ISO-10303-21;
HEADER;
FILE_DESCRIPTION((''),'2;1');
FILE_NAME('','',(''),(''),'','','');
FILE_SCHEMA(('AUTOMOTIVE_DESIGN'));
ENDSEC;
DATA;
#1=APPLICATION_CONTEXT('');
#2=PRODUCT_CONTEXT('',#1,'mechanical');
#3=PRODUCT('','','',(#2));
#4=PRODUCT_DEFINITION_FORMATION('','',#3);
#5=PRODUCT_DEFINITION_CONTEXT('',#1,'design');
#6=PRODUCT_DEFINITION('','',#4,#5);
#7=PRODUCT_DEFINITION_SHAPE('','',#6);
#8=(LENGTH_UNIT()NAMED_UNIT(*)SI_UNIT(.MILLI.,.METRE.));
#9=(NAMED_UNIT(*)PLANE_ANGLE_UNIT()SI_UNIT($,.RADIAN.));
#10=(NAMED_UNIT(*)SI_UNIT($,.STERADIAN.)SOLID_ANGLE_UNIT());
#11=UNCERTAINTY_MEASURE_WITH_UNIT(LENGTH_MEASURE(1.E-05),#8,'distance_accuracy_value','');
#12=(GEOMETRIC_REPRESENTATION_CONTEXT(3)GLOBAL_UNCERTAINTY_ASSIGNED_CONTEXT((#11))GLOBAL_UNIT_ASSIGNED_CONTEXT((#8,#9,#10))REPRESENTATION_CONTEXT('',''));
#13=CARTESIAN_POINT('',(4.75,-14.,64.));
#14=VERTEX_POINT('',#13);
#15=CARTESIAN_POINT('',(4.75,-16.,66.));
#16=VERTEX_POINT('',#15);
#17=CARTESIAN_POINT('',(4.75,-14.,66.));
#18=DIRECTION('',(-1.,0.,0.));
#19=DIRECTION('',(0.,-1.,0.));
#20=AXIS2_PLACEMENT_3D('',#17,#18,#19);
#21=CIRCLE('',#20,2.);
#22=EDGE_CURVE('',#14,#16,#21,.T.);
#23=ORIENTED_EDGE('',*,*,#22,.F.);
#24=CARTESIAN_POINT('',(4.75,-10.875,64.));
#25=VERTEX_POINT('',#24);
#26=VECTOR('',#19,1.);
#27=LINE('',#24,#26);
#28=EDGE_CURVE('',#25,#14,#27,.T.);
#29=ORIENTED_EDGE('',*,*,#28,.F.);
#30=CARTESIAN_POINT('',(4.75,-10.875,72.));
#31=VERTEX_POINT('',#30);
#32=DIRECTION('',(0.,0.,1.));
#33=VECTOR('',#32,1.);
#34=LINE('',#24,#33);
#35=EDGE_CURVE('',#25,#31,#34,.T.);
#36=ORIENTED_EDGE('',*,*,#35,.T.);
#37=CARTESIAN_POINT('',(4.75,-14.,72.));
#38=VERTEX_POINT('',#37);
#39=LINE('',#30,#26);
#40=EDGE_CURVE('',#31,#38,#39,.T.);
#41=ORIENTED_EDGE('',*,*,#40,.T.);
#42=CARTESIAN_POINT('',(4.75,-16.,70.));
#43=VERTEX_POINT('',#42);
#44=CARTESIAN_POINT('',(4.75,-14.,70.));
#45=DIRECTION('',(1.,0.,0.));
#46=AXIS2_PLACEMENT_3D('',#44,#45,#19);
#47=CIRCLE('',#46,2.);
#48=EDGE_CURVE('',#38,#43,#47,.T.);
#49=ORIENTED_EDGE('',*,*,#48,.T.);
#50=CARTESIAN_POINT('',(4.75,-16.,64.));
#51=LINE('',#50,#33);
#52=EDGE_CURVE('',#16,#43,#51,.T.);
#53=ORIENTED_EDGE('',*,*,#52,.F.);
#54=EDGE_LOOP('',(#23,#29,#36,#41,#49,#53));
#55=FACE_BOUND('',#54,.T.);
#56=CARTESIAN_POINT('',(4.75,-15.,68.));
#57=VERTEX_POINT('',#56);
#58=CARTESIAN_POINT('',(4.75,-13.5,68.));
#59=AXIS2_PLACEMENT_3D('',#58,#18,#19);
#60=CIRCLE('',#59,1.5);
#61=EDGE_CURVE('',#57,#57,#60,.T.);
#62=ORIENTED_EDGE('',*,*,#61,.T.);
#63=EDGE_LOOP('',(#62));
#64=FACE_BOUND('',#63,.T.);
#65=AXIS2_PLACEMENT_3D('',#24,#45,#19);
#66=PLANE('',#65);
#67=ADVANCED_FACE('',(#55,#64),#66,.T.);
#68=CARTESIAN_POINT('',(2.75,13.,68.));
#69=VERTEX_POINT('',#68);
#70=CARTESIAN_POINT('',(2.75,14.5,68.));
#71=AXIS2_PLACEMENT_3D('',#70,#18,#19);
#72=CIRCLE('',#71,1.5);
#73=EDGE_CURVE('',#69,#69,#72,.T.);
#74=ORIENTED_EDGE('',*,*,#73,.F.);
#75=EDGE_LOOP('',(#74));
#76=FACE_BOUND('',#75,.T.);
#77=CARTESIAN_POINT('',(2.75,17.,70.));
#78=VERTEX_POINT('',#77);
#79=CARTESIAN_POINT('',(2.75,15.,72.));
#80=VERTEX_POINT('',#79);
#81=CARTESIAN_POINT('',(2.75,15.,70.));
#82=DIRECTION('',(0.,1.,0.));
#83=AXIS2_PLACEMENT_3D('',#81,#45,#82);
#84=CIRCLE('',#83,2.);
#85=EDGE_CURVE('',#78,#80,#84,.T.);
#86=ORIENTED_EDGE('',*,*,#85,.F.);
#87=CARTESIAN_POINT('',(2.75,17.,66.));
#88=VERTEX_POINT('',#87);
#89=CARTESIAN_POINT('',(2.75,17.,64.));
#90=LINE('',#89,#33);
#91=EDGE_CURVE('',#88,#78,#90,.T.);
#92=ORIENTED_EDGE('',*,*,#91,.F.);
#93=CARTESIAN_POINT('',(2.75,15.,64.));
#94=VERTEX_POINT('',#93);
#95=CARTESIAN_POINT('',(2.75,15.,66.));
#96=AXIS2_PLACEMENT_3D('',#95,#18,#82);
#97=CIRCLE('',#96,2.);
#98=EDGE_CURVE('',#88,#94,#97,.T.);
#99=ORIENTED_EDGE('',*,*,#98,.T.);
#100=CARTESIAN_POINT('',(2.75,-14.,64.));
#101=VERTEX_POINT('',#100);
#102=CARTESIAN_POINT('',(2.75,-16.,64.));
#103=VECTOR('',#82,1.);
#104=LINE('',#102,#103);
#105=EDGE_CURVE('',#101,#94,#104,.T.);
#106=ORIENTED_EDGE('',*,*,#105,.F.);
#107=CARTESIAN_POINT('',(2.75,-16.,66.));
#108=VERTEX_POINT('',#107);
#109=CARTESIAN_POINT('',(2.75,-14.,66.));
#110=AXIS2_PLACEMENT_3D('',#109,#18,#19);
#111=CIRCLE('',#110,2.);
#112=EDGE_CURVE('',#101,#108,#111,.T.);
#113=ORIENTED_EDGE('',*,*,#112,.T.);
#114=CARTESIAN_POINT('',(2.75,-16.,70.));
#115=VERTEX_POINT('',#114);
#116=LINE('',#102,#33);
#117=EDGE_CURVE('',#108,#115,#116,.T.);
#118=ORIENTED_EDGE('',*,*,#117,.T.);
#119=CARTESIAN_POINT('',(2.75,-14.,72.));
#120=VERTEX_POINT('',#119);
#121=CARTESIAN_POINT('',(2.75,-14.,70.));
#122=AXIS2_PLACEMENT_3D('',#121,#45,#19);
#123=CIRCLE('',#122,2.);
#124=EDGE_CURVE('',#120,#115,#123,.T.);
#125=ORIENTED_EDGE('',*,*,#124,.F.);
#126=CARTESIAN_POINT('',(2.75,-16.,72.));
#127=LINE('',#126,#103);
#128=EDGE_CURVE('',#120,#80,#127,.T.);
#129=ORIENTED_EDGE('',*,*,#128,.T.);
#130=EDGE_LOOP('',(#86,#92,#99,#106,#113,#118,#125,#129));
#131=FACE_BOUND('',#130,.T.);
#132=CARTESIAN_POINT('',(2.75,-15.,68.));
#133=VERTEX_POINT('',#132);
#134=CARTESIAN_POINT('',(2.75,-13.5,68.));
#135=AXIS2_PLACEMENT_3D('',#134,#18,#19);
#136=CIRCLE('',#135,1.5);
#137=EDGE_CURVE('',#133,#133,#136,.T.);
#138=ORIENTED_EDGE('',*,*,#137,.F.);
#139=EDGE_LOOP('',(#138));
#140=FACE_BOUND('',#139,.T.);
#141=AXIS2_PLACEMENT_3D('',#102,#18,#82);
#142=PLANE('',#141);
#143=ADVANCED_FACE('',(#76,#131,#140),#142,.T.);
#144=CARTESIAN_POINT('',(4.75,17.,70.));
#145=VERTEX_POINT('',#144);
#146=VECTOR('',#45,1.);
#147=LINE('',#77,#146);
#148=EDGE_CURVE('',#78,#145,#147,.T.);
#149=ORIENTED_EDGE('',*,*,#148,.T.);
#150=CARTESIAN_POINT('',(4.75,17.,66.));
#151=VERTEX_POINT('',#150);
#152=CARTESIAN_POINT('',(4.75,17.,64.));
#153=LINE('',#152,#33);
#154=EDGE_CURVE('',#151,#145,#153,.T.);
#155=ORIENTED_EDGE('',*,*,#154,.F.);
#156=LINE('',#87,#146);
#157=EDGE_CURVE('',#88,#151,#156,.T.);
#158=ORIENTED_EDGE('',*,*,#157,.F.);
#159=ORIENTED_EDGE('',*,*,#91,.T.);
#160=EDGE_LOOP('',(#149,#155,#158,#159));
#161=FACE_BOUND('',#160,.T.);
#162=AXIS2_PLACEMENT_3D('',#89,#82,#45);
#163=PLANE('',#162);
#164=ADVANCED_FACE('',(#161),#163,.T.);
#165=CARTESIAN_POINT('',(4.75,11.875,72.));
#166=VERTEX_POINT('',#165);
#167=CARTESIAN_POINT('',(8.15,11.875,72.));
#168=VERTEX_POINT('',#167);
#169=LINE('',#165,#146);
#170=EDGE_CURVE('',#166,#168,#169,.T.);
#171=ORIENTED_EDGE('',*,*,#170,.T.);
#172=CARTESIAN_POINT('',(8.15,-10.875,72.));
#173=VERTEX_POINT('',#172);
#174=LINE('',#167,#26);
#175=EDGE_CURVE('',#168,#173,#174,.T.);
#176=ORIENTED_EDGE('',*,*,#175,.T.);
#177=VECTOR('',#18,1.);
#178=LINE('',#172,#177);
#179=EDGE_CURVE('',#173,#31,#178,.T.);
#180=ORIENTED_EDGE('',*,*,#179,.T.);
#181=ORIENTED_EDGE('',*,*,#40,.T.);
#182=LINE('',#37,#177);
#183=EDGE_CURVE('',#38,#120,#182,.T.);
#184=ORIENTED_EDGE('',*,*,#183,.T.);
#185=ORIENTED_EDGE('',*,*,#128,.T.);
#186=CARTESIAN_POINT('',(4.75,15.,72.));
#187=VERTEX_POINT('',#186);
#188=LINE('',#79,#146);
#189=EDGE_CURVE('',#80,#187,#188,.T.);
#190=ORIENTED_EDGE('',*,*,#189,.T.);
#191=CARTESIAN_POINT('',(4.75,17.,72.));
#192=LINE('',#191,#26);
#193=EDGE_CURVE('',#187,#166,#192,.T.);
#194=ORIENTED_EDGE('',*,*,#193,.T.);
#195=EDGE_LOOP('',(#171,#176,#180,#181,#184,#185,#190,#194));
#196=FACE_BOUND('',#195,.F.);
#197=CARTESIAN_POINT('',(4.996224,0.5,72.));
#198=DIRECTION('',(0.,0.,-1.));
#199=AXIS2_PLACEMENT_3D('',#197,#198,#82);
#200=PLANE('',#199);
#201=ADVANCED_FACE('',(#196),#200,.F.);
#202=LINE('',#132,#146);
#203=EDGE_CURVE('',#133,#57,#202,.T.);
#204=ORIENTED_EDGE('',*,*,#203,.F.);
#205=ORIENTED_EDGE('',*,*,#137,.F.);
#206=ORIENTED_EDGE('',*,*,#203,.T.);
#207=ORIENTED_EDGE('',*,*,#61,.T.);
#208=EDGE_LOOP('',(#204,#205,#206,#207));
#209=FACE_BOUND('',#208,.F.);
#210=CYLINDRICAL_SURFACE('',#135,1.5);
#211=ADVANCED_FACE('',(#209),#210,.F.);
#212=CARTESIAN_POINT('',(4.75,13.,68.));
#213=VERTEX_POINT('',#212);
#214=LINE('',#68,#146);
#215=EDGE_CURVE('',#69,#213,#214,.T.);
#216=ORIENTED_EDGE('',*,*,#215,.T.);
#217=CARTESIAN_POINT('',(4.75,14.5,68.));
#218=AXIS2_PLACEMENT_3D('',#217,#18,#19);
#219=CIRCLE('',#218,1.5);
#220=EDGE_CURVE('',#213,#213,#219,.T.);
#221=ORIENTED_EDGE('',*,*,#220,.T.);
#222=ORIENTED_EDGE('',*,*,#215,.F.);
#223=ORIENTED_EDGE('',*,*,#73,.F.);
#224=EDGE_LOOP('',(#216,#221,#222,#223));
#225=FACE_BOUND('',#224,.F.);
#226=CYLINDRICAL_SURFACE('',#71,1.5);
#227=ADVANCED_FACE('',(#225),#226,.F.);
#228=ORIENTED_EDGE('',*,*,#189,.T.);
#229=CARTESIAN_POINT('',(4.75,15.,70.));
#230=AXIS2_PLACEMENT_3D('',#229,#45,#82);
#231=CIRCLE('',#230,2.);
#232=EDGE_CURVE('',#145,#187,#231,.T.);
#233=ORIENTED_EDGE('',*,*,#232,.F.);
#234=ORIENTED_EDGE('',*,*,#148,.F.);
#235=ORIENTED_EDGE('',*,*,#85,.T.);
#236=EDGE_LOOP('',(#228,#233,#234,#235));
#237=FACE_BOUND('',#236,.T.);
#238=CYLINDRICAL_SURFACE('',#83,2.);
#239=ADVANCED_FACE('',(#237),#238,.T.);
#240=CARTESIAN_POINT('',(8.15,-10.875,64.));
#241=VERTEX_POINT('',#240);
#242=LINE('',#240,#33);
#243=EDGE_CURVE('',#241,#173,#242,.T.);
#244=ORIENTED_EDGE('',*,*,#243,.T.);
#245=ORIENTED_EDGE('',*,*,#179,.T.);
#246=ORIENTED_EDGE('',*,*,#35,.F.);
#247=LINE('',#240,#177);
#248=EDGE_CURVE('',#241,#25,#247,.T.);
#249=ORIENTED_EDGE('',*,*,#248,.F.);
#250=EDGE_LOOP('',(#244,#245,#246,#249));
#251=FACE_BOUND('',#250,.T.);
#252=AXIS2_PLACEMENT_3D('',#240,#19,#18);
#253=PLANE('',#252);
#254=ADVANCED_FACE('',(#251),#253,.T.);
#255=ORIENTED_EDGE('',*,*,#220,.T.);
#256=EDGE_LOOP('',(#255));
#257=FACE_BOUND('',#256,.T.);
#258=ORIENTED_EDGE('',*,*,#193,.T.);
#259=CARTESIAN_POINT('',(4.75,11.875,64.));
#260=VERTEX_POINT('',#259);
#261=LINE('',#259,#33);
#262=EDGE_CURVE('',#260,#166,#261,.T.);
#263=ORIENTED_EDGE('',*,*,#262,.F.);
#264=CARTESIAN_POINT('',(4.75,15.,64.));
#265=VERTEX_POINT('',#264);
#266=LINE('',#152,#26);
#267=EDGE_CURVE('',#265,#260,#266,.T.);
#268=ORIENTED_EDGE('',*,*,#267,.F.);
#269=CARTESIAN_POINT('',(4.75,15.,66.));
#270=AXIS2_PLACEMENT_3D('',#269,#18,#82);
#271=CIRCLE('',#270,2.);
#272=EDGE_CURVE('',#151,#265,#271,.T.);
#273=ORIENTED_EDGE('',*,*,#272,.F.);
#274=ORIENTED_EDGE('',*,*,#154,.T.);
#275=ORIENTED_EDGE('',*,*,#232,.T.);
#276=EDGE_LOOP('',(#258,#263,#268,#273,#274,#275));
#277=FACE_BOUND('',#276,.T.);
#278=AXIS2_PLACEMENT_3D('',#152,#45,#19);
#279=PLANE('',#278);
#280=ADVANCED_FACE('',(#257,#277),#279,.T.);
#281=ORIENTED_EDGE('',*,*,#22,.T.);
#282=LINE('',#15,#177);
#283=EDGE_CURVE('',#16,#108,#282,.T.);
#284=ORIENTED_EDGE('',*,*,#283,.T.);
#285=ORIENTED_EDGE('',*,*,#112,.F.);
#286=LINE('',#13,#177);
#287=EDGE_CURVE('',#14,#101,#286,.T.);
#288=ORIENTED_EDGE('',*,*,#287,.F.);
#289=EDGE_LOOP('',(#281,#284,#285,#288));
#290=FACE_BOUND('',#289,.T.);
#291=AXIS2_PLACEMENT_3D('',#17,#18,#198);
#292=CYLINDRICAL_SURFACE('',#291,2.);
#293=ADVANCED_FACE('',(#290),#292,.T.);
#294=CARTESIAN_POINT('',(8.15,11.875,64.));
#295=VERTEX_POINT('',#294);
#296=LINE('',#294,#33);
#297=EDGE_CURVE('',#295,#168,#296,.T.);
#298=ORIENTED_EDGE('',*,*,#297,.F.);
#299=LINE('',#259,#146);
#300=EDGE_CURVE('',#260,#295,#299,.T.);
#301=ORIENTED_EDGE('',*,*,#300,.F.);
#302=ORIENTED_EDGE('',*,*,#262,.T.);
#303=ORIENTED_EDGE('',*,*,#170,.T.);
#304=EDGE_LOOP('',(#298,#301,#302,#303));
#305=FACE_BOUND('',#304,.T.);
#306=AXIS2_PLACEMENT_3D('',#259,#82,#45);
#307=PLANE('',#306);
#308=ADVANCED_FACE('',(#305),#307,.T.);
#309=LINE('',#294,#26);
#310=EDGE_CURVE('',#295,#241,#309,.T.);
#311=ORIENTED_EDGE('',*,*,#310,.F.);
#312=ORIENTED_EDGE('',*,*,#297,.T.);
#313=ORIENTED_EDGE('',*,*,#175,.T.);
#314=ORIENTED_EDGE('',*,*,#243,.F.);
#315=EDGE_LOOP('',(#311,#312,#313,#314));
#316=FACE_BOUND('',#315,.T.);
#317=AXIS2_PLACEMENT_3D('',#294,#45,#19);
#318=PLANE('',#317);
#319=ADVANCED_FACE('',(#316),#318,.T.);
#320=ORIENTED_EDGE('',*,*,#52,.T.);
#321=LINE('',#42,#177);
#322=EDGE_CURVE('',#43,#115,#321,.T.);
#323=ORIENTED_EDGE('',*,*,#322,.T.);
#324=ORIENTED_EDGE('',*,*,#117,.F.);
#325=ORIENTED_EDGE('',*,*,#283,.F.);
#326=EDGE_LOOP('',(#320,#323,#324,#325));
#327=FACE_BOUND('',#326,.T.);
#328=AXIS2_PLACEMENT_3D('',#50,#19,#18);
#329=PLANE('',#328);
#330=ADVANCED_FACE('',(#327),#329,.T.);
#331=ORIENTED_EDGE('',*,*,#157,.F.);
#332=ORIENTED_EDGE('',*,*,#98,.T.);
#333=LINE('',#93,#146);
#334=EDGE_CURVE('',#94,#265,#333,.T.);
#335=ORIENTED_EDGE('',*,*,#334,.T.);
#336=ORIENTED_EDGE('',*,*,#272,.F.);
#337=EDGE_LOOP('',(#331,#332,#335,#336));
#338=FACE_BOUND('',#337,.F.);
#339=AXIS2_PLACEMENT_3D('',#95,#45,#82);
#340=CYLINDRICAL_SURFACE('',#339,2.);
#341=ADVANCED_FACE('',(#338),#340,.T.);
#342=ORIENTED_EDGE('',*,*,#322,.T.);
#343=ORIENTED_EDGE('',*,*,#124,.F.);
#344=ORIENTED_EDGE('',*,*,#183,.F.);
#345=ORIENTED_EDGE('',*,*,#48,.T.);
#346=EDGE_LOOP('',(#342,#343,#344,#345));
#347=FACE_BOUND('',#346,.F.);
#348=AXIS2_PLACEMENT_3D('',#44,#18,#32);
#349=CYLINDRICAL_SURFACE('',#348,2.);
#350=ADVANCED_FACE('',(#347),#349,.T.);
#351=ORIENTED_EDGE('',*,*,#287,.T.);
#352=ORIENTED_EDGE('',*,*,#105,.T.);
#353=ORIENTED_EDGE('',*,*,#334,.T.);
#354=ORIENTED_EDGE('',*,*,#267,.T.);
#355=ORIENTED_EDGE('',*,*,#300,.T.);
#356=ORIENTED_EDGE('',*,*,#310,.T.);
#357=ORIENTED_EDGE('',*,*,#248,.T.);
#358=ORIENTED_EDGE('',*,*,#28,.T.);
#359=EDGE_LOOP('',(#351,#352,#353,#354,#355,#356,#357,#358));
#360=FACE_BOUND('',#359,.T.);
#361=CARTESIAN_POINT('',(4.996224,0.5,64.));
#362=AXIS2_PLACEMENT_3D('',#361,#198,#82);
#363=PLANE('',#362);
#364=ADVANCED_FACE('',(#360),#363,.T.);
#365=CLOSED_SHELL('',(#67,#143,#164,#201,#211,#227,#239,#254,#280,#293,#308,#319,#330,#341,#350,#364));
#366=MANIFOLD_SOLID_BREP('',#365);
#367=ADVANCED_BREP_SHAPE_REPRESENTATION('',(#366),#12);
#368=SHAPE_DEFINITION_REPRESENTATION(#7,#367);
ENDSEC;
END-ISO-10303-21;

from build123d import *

# Parameters (mm, degrees)
PAD010_DEPTH            = 8
SKETCH006_R             = 1.5
POCKET013_DEPTH         = 5
FILLET007_R             = 2
BODY002_PITCH_ANGLE     = -90
BODY002_PLACEMENT_ANGLE = -180


with BuildPart() as part:
    # Sketch005 → Pad010 (new body)
    with BuildSketch(Plane.YZ):
        Polygon((-17, -5), (-11.875, -5), (-11.875, -1.6), (10.875, -1.6), (10.875, -5), (16, -5), (16, -7), (-17, -7), align=None)
    extrude(amount=PAD010_DEPTH)

    # Sketch006 (on Face7 of Pad010) → Pocket013 (cut)
    with BuildSketch(Plane.YX.offset(7)):
        with Locations((-14.5, 4)):
            Circle(SKETCH006_R)
        with Locations((13.5, 4)):
            Circle(SKETCH006_R)
    extrude(amount=-POCKET013_DEPTH, mode=Mode.SUBTRACT)

    # Fillet007
    fillet007_edges = [part.edges().sort_by_distance(p)[0] for p in [
        (8, -17, -6),
        (0, -17, -6),
        (8, 16, -6),
        (0, 16, -6),
    ]]
    fillet(fillet007_edges, radius=FILLET007_R)


with BuildPart() as part_1:
    # Body002 pitch: moved
    add(part.part.rotate(Axis((0, 0, 0), (0, 1, 0)), BODY002_PITCH_ANGLE))


with BuildPart() as part_2:
    # Body002 placement: moved
    add(part_1.part.moved(Location((9.75, 0, 64))).rotate(Axis((9.75, 0, 64), (0, 0, 1)), BODY002_PLACEMENT_ANGLE))


solid = part_2.part
